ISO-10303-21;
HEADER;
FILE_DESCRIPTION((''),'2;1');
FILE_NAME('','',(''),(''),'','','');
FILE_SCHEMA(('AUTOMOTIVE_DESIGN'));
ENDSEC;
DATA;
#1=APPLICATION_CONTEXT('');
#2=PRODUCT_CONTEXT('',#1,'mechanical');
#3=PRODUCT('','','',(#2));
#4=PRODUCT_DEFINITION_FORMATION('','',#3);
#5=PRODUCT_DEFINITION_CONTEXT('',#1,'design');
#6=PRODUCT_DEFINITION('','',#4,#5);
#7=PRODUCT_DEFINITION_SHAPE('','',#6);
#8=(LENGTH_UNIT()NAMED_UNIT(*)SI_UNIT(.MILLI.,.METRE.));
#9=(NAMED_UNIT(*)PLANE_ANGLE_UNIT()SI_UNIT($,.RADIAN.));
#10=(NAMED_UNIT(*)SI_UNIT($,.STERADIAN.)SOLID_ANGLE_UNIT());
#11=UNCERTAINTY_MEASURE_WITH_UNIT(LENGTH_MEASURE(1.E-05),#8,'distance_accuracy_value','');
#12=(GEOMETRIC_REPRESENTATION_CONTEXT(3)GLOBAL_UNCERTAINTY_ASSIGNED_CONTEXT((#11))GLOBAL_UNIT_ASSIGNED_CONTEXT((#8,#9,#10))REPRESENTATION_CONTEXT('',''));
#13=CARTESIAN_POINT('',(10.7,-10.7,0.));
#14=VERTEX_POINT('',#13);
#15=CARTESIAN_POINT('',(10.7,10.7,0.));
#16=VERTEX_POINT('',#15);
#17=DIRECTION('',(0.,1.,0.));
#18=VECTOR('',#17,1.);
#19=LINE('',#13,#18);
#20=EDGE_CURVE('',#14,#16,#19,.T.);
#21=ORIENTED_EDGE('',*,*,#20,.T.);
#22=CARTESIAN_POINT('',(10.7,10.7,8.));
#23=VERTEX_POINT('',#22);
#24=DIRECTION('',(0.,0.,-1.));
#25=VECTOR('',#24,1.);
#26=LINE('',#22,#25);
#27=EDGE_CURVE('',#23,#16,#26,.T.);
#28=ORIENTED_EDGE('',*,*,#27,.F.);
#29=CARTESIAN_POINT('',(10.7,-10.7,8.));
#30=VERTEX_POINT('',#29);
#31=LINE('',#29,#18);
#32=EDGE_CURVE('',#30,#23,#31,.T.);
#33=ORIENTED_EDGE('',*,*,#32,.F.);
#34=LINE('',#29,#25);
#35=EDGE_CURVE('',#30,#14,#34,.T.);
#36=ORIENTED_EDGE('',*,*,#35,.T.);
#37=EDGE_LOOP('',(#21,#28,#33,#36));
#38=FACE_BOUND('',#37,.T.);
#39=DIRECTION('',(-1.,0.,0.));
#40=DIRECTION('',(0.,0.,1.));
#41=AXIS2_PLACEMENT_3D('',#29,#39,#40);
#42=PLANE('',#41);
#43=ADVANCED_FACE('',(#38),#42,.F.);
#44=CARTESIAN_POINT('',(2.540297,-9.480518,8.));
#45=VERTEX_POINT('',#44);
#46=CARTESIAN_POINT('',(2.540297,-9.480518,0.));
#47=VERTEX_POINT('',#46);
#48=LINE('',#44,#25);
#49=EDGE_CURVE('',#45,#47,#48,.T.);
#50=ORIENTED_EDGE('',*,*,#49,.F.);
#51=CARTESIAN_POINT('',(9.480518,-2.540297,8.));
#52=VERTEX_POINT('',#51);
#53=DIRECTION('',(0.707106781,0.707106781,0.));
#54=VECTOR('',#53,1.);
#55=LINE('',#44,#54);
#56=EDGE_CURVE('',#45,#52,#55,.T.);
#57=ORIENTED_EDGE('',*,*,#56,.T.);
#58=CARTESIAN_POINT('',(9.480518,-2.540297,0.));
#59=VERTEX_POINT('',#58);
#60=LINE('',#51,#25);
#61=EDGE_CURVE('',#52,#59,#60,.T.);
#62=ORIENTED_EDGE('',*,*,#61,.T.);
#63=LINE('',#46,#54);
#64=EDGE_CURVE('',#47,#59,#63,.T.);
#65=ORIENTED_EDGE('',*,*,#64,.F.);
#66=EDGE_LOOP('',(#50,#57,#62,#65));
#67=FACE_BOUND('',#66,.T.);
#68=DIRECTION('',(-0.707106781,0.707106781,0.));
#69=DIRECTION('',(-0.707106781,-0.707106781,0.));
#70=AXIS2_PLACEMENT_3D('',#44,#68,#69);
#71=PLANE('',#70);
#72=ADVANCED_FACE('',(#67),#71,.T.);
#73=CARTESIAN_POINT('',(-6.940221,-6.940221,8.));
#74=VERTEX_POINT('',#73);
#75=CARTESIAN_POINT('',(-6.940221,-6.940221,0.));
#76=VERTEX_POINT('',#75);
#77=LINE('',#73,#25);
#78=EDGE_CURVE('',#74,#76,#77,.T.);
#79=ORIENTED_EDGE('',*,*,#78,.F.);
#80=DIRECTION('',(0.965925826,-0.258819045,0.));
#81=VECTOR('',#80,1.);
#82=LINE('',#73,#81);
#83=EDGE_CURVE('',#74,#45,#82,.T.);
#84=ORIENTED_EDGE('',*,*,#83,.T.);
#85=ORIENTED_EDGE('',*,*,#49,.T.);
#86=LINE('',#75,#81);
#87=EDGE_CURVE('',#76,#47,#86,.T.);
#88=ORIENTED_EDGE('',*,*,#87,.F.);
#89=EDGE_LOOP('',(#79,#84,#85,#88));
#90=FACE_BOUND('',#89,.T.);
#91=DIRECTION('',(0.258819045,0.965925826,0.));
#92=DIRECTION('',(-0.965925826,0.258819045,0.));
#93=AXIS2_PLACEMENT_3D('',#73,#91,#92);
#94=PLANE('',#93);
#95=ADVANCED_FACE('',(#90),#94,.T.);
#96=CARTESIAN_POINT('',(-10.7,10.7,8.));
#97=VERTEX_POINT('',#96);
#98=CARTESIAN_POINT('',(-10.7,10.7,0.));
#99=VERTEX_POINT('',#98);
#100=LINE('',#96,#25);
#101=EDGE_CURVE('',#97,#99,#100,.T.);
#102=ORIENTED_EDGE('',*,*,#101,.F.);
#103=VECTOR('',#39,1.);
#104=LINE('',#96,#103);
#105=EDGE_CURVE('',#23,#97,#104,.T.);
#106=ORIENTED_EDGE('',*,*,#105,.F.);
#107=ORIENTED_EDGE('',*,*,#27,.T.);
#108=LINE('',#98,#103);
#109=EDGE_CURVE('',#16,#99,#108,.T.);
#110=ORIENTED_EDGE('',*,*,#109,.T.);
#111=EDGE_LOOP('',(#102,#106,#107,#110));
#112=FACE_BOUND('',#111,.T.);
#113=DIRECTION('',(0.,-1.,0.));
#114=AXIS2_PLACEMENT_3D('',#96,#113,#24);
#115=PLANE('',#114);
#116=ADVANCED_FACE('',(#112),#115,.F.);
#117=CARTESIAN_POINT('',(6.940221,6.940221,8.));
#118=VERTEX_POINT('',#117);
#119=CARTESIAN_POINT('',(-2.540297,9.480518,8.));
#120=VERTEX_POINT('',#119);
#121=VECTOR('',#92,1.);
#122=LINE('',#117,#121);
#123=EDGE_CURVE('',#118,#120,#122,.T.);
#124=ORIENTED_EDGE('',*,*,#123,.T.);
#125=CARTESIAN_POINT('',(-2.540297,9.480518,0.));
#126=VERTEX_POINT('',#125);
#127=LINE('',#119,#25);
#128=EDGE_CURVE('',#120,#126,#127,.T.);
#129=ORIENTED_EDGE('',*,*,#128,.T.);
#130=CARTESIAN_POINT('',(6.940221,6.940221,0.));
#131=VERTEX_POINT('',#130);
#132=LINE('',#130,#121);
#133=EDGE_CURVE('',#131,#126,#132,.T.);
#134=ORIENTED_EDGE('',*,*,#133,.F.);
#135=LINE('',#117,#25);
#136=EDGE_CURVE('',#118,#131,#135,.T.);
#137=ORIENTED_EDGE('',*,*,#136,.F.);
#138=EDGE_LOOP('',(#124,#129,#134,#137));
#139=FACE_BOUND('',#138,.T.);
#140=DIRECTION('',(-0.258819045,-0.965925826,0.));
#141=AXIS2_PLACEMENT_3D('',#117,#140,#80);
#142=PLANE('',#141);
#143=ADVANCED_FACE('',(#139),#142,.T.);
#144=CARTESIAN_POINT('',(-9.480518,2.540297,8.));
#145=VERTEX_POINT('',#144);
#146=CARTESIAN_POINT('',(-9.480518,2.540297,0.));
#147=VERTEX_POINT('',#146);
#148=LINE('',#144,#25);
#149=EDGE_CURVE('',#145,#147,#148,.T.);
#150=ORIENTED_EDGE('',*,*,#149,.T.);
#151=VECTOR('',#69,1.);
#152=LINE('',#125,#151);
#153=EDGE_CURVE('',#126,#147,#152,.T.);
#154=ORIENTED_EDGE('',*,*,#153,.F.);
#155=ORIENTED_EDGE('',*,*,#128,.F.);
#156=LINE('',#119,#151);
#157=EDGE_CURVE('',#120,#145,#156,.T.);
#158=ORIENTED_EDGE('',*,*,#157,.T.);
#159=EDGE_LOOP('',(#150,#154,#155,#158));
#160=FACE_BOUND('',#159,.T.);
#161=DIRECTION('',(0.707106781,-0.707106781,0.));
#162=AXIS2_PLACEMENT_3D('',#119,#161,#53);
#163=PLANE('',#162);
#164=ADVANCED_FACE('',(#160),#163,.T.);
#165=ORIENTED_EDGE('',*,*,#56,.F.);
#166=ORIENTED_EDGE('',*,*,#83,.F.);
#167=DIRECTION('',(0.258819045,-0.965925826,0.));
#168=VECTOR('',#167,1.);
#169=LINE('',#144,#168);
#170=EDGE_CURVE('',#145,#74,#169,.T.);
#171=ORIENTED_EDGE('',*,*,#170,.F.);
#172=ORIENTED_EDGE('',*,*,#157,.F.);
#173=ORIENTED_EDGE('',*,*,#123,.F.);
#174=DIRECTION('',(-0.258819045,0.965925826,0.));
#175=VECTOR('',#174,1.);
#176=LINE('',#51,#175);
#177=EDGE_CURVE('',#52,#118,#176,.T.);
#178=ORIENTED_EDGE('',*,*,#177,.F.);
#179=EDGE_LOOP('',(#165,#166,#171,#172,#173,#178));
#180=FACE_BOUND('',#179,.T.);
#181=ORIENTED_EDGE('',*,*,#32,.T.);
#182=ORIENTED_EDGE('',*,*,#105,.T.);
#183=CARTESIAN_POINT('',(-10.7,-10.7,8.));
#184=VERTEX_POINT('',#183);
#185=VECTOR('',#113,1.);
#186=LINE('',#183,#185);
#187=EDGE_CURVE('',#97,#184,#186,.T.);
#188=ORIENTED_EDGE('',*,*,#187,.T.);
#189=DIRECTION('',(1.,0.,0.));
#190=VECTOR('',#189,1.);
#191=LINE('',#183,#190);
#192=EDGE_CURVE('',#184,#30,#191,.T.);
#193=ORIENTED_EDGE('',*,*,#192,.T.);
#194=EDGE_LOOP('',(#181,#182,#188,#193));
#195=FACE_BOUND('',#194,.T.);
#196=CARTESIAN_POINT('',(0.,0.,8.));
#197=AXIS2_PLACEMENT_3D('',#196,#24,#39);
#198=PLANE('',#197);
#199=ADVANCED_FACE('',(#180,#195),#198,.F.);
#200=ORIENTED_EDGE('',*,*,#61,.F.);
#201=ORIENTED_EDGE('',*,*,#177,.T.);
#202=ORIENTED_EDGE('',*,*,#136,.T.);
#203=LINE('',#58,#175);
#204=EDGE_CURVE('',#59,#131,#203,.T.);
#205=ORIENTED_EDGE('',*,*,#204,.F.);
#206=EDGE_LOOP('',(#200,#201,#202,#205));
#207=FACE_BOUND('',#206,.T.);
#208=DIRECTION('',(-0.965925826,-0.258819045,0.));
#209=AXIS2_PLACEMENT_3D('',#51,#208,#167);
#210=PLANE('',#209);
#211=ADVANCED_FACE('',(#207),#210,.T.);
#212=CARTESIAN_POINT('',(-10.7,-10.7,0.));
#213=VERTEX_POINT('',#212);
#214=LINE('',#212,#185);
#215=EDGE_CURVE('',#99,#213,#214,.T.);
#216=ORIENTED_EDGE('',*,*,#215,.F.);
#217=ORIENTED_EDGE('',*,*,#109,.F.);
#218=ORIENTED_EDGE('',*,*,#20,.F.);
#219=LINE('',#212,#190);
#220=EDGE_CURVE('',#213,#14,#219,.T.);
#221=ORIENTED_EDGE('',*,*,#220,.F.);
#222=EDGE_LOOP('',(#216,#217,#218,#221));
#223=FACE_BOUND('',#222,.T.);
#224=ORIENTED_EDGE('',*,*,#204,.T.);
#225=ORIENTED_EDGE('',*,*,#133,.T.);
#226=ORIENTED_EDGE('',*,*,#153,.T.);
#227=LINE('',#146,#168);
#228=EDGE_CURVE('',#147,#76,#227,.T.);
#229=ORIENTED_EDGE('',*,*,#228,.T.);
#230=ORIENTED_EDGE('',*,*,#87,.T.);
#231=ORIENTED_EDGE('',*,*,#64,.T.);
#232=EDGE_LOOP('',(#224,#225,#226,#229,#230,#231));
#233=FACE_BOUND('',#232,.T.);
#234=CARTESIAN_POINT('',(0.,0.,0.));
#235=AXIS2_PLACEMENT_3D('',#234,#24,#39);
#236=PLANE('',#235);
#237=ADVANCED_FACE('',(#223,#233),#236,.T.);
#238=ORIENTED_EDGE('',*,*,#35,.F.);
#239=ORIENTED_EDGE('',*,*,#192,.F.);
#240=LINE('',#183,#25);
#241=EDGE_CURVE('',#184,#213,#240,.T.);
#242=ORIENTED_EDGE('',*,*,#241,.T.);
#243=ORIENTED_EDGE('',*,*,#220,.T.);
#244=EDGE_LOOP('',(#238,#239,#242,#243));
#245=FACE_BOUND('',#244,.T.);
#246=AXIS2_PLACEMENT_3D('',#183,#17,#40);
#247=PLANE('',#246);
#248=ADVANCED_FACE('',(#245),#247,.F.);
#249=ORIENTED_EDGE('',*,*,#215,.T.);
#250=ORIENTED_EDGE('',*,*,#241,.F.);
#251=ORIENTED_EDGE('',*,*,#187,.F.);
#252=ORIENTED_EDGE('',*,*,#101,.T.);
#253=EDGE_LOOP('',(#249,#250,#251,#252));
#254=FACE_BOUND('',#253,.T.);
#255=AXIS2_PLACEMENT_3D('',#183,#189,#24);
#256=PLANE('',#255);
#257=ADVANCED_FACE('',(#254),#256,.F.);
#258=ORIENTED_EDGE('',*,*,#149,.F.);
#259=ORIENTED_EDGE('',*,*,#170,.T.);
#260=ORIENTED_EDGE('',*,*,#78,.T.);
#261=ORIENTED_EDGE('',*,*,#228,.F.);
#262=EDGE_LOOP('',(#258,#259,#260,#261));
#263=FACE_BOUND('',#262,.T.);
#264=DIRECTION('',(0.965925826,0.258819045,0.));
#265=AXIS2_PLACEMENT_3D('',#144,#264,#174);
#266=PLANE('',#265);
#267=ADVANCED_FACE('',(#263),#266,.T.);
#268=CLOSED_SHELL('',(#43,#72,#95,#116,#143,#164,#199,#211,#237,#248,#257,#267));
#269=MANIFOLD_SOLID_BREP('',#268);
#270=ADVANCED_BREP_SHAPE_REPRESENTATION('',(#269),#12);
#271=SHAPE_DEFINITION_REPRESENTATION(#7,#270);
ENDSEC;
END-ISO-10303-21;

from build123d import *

# Parameters (mm, degrees)
SKETCH_1_W      = 21.4
SKETCH_1_H      = 21.4
EXTRUDE_1_DEPTH = 8


with BuildPart() as part:
    # Эскиз1 → Бобышка-Вытянуть1 (new body)
    with BuildSketch(Plane.XY):
        Rectangle(SKETCH_1_W, SKETCH_1_H)
        Polygon((-9.480518109, 2.540297171), (-6.940220938, -6.940220938), (2.540297171, -9.480518109), (9.480518109, -2.540297171), (6.940220938, 6.940220938), (-2.540297171, 9.480518109), align=None, mode=Mode.SUBTRACT)
    extrude(amount=EXTRUDE_1_DEPTH)


solid = part.part
